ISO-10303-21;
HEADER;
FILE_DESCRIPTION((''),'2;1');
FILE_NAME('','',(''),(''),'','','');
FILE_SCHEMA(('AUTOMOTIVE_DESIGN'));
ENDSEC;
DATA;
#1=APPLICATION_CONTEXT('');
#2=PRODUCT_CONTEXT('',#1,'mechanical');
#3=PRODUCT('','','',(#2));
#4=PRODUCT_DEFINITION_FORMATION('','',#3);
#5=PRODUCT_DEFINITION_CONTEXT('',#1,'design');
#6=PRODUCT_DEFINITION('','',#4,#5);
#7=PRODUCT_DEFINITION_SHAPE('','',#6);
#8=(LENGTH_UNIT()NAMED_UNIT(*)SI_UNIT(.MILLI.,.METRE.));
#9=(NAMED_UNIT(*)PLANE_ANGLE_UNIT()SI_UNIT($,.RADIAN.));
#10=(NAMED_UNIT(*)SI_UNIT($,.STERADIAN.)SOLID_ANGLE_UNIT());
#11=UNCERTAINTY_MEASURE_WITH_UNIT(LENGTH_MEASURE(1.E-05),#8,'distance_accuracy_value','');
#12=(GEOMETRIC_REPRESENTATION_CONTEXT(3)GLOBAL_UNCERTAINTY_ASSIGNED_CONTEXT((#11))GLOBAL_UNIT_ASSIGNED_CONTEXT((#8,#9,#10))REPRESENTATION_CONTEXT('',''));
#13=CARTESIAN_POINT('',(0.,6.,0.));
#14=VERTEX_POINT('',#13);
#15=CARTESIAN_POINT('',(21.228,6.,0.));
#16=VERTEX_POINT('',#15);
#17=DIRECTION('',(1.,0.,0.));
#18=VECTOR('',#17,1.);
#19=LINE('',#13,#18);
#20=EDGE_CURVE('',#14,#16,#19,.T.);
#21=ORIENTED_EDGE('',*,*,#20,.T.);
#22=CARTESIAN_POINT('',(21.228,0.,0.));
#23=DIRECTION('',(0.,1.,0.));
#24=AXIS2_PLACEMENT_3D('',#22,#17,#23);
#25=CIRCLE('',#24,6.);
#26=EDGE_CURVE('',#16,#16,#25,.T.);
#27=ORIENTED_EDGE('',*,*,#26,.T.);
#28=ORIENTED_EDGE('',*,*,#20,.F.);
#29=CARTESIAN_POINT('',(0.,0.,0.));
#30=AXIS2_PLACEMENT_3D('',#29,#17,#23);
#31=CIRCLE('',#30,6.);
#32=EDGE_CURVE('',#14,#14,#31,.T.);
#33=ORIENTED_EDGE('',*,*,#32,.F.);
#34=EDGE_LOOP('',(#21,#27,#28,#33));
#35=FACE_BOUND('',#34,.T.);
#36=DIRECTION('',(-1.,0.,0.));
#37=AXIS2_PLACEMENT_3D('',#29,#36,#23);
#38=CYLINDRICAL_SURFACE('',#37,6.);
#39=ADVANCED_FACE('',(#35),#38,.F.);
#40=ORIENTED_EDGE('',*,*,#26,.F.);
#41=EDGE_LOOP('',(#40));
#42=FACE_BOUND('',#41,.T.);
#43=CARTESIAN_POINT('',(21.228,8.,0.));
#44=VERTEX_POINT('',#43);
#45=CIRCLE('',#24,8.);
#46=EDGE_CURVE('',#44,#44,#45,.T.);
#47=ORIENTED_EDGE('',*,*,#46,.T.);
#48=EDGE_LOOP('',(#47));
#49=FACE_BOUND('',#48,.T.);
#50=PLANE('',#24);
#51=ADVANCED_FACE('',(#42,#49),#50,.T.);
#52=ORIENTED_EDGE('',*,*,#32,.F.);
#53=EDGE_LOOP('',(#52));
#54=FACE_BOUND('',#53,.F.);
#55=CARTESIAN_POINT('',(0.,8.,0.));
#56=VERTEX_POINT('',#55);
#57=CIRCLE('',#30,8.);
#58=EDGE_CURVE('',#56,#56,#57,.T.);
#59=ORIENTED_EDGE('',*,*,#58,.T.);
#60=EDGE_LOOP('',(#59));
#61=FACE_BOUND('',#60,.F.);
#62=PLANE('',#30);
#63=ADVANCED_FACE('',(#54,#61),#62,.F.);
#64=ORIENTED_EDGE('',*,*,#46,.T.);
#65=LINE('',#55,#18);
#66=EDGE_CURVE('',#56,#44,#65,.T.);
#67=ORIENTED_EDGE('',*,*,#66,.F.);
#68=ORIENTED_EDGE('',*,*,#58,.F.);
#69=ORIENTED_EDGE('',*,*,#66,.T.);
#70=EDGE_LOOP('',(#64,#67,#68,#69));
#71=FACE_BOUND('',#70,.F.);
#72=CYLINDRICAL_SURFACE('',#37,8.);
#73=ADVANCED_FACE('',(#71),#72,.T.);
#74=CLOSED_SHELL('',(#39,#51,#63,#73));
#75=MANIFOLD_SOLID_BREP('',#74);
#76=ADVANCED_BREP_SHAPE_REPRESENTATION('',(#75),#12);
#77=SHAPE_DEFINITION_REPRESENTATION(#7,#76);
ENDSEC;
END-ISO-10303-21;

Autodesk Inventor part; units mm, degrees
ref_plane "YZ Plane" through (0, 0, 0) normal (1, 0, 0) x (0, 1, 0)
ref_plane "XZ Plane" through (0, 0, 0) normal (0, 1, 0) x (-1, 0, 0)
ref_plane "XY Plane" through (0, 0, 0) normal (0, 0, 1) x (1, 0, 0)
sketch "Sketch1" plane through (0, 0, 0) normal (1, 0, 0) x (0, 1, 0)
  circle A0 centre (0, 0) radius 8
  circle A1 centre (0, 0) radius 6
  dimension "d1" = 16
  dimension "d2" = 12
extrude "Extrusion1" add sketch "Sketch1" along normal blind 21.228
properties part number "363-53"
